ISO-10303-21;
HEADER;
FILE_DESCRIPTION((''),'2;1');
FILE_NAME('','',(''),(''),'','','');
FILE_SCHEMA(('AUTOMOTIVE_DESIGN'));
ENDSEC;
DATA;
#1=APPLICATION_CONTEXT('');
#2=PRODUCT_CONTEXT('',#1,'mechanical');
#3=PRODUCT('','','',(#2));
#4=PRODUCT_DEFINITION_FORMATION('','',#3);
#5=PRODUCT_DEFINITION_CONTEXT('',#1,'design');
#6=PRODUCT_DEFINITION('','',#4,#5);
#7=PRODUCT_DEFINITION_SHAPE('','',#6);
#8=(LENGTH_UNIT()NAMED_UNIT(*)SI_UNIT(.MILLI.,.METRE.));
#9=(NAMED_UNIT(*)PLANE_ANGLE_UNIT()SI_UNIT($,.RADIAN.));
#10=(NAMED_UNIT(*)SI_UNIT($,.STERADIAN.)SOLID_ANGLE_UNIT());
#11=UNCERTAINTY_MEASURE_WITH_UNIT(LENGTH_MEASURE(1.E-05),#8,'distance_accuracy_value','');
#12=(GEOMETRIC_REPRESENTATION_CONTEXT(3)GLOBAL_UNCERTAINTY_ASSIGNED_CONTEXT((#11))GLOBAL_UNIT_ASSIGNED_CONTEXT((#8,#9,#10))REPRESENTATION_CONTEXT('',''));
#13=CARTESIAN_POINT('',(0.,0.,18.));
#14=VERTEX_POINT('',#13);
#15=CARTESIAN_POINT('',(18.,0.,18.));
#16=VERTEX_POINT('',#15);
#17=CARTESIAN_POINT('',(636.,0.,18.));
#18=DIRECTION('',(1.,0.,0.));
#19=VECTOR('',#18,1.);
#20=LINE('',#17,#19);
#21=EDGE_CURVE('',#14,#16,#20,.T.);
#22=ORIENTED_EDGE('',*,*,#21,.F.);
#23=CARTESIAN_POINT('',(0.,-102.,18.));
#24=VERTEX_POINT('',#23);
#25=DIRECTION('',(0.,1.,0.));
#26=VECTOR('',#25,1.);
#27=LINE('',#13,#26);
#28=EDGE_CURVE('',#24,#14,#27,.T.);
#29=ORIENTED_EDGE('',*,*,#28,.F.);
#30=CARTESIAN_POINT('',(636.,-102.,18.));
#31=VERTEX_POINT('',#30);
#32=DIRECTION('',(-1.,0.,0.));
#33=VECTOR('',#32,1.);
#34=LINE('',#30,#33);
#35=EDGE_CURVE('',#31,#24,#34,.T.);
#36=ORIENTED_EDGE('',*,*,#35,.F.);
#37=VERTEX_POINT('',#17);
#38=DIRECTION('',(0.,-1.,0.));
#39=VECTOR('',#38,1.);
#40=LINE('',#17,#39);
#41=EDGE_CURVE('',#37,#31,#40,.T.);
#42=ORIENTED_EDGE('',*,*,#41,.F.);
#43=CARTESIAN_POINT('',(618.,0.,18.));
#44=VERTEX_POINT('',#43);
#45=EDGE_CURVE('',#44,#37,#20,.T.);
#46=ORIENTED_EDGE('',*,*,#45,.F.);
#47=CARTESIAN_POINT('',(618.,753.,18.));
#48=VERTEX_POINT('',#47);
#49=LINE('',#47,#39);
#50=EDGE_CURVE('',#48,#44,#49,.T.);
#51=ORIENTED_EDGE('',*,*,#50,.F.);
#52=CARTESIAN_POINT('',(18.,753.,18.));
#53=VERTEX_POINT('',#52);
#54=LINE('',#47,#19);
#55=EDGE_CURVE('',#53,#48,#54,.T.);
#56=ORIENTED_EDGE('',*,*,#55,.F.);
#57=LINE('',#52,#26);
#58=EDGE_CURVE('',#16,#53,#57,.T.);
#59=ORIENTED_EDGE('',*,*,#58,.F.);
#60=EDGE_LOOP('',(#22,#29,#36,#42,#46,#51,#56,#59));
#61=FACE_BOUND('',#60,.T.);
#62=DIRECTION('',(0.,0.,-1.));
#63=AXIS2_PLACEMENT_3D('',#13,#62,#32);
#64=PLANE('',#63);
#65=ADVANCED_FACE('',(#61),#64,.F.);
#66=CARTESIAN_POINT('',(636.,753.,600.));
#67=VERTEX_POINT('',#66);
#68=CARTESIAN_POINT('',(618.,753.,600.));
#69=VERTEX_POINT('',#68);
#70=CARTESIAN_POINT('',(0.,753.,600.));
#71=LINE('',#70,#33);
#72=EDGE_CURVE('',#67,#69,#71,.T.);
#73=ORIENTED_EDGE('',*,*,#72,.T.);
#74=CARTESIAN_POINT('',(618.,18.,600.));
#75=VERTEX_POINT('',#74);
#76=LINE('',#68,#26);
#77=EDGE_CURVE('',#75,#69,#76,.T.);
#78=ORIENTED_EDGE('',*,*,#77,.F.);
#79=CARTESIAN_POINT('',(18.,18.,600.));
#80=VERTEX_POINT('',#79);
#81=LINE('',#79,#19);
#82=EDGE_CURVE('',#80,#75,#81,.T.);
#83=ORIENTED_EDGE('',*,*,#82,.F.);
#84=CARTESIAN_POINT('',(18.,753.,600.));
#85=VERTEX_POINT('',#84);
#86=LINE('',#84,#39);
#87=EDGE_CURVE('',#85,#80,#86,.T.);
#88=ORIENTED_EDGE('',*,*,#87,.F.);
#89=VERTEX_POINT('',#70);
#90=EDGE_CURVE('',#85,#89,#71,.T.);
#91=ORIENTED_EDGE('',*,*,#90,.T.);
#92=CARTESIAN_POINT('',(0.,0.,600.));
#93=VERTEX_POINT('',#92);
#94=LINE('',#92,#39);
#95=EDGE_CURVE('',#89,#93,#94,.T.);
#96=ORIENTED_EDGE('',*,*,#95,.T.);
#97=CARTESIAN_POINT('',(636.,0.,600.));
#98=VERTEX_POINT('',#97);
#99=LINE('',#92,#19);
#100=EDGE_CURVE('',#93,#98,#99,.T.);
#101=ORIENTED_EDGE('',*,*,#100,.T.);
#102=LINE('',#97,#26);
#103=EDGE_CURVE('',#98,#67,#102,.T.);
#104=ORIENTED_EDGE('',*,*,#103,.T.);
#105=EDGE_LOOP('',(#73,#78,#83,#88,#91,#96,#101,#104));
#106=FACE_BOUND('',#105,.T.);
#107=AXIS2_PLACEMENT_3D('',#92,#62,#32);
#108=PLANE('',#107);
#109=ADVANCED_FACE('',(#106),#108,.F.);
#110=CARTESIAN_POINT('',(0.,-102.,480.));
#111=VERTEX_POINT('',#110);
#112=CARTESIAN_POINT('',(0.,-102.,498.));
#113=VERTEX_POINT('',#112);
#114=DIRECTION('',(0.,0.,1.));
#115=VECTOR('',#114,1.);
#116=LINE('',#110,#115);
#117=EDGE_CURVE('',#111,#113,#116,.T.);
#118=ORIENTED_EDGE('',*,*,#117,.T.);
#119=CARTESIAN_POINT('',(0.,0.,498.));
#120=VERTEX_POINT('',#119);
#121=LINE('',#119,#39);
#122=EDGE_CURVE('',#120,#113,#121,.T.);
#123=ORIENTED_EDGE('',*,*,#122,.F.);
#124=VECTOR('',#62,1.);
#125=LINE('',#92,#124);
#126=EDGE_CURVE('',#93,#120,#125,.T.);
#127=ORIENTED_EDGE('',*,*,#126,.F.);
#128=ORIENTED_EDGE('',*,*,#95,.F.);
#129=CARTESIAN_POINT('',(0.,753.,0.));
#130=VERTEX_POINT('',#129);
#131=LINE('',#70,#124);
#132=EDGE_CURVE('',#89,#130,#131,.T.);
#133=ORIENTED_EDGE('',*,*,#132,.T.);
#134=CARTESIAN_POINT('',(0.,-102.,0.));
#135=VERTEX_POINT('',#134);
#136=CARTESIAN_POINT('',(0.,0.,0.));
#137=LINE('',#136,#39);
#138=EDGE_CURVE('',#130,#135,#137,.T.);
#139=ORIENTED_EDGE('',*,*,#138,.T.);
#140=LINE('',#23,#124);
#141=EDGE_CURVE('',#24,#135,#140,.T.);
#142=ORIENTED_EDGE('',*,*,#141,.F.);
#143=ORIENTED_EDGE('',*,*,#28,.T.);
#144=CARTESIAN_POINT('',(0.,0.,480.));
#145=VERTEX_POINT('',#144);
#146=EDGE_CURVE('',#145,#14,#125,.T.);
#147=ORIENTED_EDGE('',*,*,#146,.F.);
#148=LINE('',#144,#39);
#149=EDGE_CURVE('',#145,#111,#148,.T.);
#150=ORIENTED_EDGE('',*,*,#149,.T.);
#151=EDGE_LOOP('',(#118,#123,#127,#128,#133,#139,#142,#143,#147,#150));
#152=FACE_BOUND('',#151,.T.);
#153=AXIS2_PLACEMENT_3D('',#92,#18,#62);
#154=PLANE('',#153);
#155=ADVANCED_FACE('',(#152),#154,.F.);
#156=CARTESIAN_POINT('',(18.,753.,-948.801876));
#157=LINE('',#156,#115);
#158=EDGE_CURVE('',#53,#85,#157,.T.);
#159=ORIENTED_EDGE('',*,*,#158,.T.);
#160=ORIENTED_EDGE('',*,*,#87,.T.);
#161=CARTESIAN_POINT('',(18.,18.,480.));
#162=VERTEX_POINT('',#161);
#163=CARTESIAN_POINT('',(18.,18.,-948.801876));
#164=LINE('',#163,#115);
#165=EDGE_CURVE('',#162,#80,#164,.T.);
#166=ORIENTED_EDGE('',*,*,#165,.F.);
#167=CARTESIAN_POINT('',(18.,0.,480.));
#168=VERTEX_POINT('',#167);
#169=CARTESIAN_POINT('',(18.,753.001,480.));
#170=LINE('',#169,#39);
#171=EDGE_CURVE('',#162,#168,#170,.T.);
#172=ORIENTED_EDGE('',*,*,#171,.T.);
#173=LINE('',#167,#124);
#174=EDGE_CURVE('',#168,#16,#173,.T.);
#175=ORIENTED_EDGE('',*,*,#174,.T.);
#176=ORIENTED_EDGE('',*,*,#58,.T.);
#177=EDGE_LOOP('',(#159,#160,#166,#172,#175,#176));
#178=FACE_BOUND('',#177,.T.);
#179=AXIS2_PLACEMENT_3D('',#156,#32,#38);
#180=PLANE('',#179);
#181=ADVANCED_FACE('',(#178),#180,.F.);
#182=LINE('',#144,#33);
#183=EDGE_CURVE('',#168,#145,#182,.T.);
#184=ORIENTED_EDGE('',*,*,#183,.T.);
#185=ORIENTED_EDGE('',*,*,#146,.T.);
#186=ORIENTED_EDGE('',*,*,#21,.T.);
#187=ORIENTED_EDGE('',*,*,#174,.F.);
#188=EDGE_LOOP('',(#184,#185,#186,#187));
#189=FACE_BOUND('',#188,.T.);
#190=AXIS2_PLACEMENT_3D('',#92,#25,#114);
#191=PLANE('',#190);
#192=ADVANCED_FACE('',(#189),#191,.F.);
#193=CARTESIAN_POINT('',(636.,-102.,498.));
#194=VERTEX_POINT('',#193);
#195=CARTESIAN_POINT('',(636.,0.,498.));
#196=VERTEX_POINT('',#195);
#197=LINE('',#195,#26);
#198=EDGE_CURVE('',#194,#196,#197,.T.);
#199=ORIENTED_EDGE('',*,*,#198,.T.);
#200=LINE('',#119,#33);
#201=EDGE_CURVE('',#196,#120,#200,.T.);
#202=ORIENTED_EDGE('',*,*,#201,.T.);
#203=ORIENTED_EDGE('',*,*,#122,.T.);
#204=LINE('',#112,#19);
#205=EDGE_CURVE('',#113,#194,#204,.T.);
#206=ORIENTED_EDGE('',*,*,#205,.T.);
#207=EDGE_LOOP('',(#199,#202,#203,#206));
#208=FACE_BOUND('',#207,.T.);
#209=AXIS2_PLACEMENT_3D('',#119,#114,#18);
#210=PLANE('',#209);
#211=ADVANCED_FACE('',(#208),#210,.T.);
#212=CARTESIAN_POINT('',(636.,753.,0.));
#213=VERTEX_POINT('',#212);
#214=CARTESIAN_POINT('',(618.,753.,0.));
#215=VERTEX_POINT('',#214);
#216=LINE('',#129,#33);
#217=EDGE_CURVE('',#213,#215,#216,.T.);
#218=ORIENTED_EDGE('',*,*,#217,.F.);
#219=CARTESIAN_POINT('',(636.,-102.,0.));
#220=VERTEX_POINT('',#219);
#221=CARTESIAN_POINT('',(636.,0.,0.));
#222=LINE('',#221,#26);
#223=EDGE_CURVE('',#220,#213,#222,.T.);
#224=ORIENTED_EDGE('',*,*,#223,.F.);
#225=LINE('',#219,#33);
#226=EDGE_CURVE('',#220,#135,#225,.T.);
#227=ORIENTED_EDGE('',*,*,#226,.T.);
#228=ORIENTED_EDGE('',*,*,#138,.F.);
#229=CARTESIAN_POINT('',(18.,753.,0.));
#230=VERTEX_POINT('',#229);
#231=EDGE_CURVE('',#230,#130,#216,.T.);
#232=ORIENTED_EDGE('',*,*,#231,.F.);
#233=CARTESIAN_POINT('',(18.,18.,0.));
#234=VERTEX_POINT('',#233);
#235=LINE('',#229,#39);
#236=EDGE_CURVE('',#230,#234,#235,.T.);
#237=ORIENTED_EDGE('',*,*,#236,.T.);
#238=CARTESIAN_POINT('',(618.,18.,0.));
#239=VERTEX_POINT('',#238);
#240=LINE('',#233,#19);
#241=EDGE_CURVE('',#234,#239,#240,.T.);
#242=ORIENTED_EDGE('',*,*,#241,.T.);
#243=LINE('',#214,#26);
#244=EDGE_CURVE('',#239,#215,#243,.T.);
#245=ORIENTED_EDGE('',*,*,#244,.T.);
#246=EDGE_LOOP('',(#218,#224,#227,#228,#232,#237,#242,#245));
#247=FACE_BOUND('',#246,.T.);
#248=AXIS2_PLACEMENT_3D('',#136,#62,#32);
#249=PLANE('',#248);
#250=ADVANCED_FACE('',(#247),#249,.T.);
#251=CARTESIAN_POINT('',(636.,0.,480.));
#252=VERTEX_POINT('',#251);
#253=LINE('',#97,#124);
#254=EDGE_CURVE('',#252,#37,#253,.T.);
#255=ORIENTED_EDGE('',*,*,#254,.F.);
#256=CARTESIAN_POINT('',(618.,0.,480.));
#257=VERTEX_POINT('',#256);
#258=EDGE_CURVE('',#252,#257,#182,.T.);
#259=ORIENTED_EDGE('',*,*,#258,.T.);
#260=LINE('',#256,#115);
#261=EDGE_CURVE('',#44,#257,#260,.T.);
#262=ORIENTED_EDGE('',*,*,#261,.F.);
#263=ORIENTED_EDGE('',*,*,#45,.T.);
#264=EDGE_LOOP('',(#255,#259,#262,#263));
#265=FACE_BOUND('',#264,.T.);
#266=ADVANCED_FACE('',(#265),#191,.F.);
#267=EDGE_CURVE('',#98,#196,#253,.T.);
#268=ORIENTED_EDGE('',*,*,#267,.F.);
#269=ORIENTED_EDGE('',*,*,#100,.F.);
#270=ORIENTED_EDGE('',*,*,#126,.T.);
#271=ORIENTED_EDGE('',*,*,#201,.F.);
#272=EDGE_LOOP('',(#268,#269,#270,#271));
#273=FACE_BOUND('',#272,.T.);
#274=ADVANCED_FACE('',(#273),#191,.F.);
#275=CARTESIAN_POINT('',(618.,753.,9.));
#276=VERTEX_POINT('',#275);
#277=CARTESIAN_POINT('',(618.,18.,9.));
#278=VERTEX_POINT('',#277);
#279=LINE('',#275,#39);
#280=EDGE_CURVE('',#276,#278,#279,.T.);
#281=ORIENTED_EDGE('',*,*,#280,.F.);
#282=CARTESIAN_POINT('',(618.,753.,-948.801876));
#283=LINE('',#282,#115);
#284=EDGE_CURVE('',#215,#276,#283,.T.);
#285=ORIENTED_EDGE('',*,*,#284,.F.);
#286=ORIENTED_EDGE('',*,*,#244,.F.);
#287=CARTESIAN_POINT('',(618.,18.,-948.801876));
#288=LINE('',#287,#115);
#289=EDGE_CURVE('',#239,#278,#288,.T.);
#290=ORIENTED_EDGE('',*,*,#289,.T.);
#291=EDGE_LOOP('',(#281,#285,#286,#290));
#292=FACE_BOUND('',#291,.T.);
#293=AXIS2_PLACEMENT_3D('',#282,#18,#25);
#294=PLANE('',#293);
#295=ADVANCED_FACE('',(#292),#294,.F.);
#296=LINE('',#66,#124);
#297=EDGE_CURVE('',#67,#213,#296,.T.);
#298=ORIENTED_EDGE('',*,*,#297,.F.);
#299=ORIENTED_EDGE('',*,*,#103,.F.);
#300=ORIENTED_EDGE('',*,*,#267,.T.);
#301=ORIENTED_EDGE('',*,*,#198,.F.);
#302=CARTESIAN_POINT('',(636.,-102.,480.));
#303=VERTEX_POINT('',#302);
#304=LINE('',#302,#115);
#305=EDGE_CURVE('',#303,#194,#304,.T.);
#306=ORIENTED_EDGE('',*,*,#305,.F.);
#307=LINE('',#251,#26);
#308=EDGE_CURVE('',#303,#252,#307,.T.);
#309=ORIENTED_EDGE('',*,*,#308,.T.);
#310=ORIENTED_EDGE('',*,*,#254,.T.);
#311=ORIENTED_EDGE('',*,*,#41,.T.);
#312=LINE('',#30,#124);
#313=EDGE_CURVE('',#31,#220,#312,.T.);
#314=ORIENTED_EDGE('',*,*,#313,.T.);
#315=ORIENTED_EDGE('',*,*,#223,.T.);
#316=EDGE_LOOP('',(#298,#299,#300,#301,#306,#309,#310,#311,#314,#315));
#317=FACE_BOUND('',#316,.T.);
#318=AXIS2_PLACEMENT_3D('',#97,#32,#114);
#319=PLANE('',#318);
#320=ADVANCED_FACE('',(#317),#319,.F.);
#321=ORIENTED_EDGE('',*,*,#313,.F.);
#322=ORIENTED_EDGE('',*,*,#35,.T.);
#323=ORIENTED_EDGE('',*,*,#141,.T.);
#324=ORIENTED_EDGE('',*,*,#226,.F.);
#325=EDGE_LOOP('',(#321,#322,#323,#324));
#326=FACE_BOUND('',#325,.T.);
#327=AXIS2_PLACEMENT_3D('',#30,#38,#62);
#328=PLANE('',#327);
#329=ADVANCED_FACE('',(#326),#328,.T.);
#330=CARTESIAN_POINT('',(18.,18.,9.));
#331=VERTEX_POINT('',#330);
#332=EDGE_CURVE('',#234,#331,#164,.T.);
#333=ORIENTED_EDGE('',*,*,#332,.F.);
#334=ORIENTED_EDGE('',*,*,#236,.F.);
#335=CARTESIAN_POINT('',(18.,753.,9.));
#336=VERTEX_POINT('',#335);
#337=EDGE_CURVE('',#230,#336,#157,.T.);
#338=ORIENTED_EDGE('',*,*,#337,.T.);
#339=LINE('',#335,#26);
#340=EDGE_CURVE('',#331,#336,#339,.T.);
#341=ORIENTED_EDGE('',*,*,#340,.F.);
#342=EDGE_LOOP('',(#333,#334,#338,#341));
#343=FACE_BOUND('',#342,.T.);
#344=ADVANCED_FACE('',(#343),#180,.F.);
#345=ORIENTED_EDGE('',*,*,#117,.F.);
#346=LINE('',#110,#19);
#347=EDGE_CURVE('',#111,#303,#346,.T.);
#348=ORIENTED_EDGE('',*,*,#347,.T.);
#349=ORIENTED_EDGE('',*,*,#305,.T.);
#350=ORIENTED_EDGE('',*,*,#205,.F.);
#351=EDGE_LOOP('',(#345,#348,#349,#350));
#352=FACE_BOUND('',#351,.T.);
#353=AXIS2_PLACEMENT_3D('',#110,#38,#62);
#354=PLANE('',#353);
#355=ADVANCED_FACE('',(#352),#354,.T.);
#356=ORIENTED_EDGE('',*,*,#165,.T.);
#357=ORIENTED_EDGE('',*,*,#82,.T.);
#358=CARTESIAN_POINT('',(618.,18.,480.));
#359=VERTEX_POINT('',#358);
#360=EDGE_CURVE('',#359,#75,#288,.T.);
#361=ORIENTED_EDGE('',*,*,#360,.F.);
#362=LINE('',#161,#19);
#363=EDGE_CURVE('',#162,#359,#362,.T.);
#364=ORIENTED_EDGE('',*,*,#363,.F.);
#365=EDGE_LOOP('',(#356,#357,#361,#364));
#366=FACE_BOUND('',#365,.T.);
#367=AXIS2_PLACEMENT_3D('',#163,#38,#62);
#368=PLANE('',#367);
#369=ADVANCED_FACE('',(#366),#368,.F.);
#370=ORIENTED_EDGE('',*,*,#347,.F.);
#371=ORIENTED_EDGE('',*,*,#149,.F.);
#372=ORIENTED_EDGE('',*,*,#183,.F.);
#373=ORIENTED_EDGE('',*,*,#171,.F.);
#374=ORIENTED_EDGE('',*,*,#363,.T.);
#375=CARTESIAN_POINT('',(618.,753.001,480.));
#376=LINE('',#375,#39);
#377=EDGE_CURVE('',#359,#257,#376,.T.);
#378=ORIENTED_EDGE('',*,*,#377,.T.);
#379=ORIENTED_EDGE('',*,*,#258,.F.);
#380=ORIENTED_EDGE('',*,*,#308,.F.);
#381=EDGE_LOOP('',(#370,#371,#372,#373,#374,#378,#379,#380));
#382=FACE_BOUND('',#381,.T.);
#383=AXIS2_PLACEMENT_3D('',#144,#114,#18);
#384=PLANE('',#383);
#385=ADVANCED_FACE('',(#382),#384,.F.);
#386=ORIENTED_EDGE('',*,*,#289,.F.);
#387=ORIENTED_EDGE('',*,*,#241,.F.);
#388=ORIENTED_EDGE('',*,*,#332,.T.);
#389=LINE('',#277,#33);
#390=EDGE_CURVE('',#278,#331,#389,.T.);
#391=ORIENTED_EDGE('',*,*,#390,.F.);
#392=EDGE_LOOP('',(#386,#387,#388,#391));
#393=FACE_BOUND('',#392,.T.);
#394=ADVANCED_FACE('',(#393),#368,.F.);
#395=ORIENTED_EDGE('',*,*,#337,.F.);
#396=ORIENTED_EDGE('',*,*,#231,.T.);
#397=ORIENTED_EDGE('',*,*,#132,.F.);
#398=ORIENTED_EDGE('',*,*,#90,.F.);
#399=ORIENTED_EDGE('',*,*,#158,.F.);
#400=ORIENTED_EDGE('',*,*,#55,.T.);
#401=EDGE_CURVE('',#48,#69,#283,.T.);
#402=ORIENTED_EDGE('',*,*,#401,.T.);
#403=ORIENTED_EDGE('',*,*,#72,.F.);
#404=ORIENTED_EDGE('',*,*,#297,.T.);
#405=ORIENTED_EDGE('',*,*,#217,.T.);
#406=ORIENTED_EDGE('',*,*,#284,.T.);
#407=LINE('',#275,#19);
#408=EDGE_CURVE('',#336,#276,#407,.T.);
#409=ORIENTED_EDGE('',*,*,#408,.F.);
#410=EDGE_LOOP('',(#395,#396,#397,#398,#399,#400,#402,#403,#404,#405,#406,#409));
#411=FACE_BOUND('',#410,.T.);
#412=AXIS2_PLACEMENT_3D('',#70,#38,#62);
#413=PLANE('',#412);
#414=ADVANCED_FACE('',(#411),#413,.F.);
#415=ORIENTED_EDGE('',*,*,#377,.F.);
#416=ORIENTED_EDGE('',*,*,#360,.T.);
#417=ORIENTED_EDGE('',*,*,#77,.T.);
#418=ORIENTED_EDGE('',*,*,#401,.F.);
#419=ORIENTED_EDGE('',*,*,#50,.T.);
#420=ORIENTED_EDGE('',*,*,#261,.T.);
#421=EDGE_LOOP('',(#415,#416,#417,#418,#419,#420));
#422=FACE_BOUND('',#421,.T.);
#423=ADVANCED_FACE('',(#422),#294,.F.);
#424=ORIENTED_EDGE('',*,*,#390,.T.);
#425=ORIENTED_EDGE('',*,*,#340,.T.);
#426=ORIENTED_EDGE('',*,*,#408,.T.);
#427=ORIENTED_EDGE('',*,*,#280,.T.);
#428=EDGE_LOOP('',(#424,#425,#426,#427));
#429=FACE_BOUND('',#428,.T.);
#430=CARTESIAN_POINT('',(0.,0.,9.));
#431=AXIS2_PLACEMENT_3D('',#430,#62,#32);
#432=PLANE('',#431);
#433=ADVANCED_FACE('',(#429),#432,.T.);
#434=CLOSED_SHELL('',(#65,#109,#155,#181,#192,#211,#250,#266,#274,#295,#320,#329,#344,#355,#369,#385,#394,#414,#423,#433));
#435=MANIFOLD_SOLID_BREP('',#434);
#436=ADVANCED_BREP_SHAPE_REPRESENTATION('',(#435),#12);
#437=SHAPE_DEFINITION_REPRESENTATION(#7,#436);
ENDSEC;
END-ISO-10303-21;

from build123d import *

# Parameters (mm, degrees)
SKETCH2_W           = 636
SKETCH2_H           = 753
BOSS_EXTRUDE1_DEPTH = 600
SKETCH3_W           = 600
SKETCH3_H           = 735
CUT_EXTRUDE1_DEPTH  = 600
BOSS_EXTRUDE2_START = -18
SKETCH4_W           = 600
SKETCH4_H           = 735
BOSS_EXTRUDE2_DEPTH = 9
BOSS_EXTRUDE3_START = -102
SKETCH5_W           = 636
SKETCH5_H           = 102
BOSS_EXTRUDE3_DEPTH = 18
SKETCH6_W           = 636
SKETCH6_H           = 102
BOSS_EXTRUDE4_DEPTH = 18
CUT_EXTRUDE2_REACH  = 1155.909
SKETCH7_W           = 600
SKETCH7_H           = 462


with BuildPart() as part:
    # Sketch2 → Boss-Extrude1 (new body)
    with BuildSketch(Plane.XY):
        with Locations((318, 376.5)):
            Rectangle(SKETCH2_W, SKETCH2_H)
    extrude(amount=BOSS_EXTRUDE1_DEPTH)

    # Sketch3 → Cut-Extrude1 (cut)
    with BuildSketch(Plane.XY.offset(600)):
        with Locations((318, 385.5)):
            Rectangle(SKETCH3_W, SKETCH3_H)
    extrude(amount=-CUT_EXTRUDE1_DEPTH, mode=Mode.SUBTRACT)

    # Sketch4 → Boss-Extrude2 (add)
    with BuildSketch(Plane(origin=(0, 0, 0), x_dir=(-1, 0, 0), z_dir=(0, 0, -1)).offset(BOSS_EXTRUDE2_START)):
        with Locations((-318, 385.5)):
            Rectangle(SKETCH4_W, SKETCH4_H)
    extrude(amount=BOSS_EXTRUDE2_DEPTH)

    # Sketch5 → Boss-Extrude3 (add)
    with BuildSketch(Plane.XY.offset(600).offset(BOSS_EXTRUDE3_START)):
        with Locations((318, -51)):
            Rectangle(SKETCH5_W, SKETCH5_H)
    extrude(amount=-BOSS_EXTRUDE3_DEPTH)

    # Sketch6 → Boss-Extrude4 (add)
    with BuildSketch(Plane(origin=(0, 0, 0), x_dir=(-1, 0, 0), z_dir=(0, 0, -1))):
        with Locations((-318, -51)):
            Rectangle(SKETCH6_W, SKETCH6_H)
    extrude(amount=-BOSS_EXTRUDE4_DEPTH)

    # Sketch7 → Cut-Extrude2 (cut, up to next)
    with BuildSketch(Plane.XZ, mode=Mode.PRIVATE) as cut_extrude2_sk1:
        with Locations((318, 249)):
            Rectangle(SKETCH7_W, SKETCH7_H)
    cut_extrude2_tool1 = extrude(cut_extrude2_sk1.sketch, amount=-CUT_EXTRUDE2_REACH, mode=Mode.PRIVATE) & part.part
    add(cut_extrude2_tool1.solids().sort_by_distance((318, 0, 249))[0], mode=Mode.SUBTRACT)


solid = part.part
